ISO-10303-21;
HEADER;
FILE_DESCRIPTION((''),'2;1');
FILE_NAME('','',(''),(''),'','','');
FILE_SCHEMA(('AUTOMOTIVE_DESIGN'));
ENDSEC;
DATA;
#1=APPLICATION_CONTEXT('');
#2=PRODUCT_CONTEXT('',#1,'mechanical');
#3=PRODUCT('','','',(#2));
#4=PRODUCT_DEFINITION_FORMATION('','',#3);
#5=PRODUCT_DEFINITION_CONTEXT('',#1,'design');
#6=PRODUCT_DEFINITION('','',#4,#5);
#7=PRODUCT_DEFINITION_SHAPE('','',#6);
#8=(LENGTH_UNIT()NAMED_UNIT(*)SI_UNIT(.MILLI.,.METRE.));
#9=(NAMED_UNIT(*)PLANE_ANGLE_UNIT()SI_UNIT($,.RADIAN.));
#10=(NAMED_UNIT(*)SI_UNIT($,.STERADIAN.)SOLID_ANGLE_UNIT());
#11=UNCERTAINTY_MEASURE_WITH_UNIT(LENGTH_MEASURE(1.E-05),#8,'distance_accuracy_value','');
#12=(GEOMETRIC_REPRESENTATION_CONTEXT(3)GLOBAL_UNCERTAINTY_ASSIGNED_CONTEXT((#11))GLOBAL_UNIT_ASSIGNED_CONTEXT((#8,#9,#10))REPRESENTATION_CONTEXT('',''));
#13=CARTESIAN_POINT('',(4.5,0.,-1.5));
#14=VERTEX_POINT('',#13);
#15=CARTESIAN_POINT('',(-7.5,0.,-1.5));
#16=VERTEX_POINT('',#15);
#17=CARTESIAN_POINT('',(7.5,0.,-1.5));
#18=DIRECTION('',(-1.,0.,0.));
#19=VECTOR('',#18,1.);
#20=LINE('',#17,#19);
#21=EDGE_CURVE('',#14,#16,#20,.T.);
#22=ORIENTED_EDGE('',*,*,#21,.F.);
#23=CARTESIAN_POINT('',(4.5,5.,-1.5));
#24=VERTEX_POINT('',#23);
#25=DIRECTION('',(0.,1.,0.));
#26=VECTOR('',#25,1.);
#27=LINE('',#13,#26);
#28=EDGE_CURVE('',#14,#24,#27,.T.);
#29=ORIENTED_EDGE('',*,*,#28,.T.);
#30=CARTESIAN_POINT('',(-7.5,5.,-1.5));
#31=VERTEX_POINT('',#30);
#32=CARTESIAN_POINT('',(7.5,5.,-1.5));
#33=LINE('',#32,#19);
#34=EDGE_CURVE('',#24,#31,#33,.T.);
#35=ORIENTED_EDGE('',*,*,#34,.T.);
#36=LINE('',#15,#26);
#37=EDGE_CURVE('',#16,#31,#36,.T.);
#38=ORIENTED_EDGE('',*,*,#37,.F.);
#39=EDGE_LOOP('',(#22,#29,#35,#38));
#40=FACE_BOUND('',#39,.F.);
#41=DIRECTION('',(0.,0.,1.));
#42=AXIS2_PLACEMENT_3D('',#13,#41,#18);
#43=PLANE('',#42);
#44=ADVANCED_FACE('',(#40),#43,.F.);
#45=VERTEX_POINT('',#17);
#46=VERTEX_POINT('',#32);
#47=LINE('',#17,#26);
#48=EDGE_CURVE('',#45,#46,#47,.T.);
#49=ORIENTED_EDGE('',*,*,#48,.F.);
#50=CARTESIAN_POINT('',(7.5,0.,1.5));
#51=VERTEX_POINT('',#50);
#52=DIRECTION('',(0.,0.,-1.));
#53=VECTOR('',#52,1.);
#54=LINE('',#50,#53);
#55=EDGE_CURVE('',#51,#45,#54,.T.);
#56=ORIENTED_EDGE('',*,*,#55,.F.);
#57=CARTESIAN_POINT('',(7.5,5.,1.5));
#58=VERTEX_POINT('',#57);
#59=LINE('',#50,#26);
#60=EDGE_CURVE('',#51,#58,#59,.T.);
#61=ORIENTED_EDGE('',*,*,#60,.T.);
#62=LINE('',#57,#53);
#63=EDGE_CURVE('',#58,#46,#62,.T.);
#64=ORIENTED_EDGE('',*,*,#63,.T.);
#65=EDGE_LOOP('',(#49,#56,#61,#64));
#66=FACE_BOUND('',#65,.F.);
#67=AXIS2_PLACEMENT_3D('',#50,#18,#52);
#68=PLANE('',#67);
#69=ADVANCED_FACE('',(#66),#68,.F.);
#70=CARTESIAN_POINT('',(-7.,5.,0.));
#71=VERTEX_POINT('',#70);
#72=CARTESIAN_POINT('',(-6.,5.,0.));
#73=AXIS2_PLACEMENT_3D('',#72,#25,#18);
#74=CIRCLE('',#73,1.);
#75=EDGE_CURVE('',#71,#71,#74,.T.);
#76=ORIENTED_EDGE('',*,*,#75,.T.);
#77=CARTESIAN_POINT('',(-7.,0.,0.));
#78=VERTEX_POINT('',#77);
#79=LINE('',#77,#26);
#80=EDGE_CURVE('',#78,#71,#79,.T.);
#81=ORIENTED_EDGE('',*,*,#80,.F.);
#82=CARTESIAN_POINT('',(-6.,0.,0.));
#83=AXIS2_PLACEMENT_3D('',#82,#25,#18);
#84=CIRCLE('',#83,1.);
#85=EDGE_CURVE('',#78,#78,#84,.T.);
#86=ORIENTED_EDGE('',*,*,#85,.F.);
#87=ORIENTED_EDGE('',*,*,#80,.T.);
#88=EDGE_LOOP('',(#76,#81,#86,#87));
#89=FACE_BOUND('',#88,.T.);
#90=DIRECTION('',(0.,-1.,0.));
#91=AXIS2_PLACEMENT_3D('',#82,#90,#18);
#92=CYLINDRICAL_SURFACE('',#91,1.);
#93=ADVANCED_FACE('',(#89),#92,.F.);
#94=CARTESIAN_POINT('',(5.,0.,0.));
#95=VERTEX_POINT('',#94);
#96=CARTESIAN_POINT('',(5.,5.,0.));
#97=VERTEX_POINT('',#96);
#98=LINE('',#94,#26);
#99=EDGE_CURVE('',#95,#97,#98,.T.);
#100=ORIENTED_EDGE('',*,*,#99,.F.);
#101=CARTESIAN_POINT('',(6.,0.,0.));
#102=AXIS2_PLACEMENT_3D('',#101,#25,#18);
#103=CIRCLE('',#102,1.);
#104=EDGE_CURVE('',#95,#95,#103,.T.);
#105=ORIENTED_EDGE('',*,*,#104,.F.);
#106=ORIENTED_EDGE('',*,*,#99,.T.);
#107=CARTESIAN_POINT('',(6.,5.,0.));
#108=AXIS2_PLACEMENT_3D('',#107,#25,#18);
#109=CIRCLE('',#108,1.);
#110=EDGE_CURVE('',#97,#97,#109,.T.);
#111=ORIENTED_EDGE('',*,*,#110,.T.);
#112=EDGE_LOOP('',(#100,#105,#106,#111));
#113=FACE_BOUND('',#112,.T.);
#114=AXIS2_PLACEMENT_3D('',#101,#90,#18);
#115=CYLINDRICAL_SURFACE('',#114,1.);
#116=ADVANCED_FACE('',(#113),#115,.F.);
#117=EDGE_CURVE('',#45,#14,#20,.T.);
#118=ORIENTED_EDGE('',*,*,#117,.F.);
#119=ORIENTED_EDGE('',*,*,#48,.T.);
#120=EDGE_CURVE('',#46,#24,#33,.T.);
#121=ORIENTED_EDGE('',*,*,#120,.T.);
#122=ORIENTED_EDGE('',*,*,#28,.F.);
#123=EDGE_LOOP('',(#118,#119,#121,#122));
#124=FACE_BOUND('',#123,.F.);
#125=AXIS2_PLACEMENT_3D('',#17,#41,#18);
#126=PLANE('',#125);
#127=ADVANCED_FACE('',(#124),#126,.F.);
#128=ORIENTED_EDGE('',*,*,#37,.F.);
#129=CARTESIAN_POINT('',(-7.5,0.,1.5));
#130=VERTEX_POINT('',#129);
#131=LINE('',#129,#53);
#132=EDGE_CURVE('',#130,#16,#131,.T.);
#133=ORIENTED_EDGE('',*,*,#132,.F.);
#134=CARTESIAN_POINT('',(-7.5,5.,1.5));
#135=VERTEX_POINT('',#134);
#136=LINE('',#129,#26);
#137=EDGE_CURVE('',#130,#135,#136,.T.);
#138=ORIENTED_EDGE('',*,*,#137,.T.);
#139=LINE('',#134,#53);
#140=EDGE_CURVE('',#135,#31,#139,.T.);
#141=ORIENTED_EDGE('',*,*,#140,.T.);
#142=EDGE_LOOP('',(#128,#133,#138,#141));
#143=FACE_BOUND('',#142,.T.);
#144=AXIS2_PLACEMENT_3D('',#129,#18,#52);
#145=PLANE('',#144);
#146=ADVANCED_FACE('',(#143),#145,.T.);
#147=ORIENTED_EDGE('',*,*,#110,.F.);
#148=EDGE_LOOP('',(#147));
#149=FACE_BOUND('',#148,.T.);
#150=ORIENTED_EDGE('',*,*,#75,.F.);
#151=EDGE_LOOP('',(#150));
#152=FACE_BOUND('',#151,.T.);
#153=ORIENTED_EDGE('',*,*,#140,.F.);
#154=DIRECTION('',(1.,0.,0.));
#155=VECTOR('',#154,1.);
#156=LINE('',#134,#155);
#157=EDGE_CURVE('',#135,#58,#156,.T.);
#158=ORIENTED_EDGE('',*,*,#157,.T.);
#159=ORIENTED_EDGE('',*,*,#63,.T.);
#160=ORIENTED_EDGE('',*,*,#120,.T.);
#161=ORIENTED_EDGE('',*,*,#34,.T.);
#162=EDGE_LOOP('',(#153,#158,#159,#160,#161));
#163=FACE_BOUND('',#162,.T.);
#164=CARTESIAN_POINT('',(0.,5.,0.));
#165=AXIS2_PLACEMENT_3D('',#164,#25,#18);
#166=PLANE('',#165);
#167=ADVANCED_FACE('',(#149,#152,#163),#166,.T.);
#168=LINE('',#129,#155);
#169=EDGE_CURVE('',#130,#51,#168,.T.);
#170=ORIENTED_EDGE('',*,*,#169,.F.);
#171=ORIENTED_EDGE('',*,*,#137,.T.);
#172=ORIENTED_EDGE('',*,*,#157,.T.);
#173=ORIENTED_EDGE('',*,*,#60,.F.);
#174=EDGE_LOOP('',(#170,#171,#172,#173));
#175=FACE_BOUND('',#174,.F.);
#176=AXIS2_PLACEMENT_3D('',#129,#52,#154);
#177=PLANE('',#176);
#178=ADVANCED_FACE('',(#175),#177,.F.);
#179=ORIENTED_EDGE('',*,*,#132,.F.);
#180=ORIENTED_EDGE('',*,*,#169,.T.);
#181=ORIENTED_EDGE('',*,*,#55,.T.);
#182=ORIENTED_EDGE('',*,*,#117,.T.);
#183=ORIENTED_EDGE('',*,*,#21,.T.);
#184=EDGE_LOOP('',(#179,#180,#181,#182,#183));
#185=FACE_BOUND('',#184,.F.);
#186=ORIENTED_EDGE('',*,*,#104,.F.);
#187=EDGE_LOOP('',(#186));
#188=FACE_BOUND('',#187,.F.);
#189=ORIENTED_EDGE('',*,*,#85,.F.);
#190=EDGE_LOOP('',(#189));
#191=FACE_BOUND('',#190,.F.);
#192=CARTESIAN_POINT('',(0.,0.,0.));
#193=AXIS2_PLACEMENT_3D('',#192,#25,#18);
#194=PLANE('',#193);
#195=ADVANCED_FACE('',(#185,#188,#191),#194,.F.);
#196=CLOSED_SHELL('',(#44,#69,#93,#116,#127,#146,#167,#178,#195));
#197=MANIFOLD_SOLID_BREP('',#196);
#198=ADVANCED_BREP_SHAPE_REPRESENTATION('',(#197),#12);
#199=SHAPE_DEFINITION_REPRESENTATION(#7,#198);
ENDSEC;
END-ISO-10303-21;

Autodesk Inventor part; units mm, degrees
ref_plane "YZ Plane" through (0, 0, 0) normal (1, 0, 0) x (0, 1, 0)
ref_plane "XZ Plane" through (0, 0, 0) normal (0, 1, 0) x (-1, 0, 0)
ref_plane "XY Plane" through (0, 0, 0) normal (0, 0, 1) x (1, 0, 0)
sketch "Sketch1" plane through (0, 0, 0) normal (0, 1, 0) x (-1, 0, 0)
  line L0 (-7.5, -1.5) -> (7.5, -1.5)
  line L1 (7.5, 3.5) -> (7.5, 3.5)
  line L2 (7.5, 1.5) -> (-7.5, 1.5)
  line L3 (-7.5, 3.5) -> (-7.5, 3.5)
  line L4 (-7.5, -1.5) -> (7.5, 1.5) construction
  line L5 (7.5, -1.5) -> (-7.5, 1.5) construction
  circle A0 centre (6, 0) radius 1
  line L6 (-7.5, 1.5) -> (-7.5, -1.5)
  line L7 (7.5, 1.5) -> (7.5, -1.5)
  line L8 (-7.5, -1.5) -> (-4.5, -1.5)
  circle A1 centre (-6, 0) radius 1
  point P0 (0, 0)
  point P1 (-7.5, 0)
  dimension "d0" = 3
  dimension "d1" = 15
  dimension "d3" = 2
  dimension "d6" = 1.5
  dimension "d8" = 1.5
  dimension "d21" = 2
  dimension "d22" = 1.5
  dimension "d23" = 1.5
extrude "Extrusion1" add sketch "Sketch1" along normal blind 5
properties part number "link"
